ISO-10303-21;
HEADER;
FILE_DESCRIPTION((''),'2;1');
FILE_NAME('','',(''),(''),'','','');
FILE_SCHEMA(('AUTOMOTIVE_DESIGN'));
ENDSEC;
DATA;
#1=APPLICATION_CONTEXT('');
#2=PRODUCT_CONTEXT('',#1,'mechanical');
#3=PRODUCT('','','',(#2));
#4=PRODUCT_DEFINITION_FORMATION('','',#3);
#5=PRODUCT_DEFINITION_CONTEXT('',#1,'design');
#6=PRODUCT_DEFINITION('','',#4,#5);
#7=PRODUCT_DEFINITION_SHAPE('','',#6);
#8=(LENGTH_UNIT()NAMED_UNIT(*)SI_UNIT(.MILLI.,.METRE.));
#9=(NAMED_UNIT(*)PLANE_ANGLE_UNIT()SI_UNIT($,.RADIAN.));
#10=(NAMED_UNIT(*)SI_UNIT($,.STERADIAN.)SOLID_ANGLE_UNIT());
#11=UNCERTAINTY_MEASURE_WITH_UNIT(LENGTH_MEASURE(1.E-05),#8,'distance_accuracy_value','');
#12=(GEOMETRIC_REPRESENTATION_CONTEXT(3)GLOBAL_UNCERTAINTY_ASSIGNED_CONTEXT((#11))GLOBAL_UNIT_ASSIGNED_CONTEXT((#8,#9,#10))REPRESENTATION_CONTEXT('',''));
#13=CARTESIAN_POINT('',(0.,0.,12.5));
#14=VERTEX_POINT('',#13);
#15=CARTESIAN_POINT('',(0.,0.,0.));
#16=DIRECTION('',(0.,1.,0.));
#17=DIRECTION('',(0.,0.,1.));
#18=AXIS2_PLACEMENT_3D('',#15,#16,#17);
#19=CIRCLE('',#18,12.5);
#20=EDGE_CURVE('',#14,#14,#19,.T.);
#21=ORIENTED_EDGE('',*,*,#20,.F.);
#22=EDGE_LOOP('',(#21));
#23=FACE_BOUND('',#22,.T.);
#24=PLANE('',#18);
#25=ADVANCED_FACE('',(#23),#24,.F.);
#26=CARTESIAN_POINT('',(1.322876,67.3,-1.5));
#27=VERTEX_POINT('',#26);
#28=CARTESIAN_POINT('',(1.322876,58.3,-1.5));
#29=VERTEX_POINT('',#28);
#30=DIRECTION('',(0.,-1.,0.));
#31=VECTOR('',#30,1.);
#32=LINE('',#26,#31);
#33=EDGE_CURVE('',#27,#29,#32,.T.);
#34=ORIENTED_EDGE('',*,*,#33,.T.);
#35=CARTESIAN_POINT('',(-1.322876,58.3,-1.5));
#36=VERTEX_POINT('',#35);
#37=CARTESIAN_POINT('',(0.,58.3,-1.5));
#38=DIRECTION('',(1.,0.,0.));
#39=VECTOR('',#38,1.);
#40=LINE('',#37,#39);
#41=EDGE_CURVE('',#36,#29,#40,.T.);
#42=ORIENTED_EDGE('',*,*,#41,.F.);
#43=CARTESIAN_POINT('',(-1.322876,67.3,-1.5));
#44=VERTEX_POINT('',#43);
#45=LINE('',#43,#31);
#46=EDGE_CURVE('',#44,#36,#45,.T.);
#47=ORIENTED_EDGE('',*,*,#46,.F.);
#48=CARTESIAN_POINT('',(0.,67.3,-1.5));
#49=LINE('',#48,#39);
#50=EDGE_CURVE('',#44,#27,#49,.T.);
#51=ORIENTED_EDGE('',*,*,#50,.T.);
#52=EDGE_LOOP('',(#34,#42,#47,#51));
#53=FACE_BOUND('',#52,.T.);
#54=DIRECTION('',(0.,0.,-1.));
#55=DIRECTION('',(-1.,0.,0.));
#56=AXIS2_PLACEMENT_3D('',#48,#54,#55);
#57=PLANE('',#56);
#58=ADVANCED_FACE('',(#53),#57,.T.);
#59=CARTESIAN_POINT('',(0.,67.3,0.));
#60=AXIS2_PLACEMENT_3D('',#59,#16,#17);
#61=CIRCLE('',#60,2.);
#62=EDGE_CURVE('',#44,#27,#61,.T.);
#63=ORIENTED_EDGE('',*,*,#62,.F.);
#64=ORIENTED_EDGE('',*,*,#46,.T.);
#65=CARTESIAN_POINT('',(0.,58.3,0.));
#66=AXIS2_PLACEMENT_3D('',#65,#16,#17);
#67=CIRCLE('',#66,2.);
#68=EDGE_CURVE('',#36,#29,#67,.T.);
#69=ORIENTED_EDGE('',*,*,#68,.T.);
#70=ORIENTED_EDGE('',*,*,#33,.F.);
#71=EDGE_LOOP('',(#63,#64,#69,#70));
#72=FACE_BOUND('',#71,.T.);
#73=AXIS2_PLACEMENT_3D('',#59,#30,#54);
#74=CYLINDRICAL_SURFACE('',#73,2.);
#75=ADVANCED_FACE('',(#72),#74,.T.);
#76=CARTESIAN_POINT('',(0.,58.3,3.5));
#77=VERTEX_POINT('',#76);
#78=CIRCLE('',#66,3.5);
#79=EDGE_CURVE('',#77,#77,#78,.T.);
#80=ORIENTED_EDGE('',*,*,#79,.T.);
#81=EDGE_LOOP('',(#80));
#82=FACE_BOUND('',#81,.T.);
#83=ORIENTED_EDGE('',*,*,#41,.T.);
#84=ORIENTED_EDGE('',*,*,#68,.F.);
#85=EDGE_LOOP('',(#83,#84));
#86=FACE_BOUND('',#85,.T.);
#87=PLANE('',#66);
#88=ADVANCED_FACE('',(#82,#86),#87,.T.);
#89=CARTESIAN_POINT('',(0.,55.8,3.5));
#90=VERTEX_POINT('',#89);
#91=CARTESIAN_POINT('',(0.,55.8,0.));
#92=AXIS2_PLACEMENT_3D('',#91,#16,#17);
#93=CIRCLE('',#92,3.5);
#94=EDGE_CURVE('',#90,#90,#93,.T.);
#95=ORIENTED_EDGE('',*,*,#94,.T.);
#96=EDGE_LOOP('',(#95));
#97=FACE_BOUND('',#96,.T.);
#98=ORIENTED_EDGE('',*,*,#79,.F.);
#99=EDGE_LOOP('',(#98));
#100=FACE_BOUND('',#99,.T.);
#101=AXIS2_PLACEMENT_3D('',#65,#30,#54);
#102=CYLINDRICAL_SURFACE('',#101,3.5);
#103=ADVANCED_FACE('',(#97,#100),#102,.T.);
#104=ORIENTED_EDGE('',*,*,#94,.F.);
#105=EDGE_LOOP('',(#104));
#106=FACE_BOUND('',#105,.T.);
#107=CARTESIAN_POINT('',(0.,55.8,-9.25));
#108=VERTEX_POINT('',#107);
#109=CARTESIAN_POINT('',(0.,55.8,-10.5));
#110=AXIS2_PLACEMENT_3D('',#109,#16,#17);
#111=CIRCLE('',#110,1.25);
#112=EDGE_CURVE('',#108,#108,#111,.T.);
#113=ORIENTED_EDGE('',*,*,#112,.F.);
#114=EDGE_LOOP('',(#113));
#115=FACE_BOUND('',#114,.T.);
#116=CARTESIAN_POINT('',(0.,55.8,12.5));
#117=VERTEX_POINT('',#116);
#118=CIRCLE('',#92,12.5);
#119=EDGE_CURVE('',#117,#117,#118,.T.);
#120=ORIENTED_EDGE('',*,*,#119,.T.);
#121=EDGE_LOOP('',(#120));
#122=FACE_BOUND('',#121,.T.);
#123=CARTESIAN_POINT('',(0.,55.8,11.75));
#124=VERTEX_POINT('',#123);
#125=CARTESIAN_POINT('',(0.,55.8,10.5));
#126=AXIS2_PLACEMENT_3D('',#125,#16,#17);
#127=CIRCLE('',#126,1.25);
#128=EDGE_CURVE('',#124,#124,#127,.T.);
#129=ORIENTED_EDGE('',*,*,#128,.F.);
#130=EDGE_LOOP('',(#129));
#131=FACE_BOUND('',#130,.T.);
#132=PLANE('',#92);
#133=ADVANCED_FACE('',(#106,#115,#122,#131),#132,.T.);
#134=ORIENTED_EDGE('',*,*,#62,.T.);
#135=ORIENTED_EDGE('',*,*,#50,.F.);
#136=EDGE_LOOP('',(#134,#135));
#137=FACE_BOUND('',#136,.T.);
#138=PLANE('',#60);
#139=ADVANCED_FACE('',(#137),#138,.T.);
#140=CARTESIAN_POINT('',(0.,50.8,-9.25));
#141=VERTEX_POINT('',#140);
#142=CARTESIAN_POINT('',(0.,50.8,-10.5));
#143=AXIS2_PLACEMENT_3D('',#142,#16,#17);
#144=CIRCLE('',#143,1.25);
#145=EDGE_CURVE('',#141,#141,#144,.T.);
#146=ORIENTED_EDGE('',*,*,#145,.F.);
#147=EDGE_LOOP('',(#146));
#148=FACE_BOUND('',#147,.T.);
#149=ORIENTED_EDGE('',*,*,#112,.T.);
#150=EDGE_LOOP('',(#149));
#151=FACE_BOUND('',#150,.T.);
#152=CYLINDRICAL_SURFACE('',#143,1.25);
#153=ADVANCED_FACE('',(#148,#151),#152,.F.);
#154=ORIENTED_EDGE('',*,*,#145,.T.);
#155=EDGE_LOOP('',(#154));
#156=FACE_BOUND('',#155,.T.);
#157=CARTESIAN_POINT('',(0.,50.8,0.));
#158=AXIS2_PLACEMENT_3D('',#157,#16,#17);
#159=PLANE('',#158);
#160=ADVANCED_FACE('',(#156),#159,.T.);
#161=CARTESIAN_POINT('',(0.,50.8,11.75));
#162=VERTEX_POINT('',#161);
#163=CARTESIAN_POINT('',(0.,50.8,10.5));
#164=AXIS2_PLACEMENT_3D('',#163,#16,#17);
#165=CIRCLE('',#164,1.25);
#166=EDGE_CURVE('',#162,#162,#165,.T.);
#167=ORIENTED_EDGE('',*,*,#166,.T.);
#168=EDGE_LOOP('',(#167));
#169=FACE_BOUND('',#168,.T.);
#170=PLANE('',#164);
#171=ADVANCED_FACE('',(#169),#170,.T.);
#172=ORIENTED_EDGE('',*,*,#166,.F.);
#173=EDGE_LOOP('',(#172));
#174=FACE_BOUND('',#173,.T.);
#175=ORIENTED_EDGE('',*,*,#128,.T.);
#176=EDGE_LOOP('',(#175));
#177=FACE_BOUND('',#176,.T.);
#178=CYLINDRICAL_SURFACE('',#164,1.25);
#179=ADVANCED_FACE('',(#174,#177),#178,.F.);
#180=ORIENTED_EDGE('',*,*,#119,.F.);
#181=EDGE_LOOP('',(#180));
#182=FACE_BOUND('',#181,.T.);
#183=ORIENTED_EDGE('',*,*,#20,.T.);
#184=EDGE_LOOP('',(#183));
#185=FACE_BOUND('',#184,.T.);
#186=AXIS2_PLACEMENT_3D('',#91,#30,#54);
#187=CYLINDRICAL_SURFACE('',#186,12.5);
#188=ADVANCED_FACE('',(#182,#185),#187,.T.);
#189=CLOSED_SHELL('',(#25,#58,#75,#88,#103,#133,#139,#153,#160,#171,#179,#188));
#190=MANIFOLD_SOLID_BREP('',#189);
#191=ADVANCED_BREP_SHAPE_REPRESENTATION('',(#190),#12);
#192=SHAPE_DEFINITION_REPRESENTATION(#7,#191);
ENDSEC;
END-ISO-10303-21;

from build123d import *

# Parameters (mm, degrees)
SKETCH1_R           = 12.5
BOSS_EXTRUDE1_DEPTH = 55.8
SKETCH2_R           = 1.25
CUT_EXTRUDE1_DEPTH  = 5
SKETCH2_3_R         = 3.5
BOSS_EXTRUDE2_DEPTH = 2.5
BOSS_EXTRUDE3_DEPTH = 9


with BuildPart() as part:
    # Sketch1 → Boss-Extrude1 (new body)
    with BuildSketch(Plane(origin=(0, 0, 0), x_dir=(1, 0, 0), z_dir=(0, 1, 0))):
        Circle(SKETCH1_R)
    extrude(amount=BOSS_EXTRUDE1_DEPTH)

    # Sketch2 → Cut-Extrude1 (cut)
    with BuildSketch(Plane(origin=(0, 55.8, 0), x_dir=(1, 0, 0), z_dir=(0, 1, 0))):
        with Locations((0, 10.5)):
            Circle(SKETCH2_R)
        with Locations((0, -10.5)):
            Circle(SKETCH2_R)
    extrude(amount=-CUT_EXTRUDE1_DEPTH, mode=Mode.SUBTRACT)

    # Sketch2<3> → Boss-Extrude2 (add)
    with BuildSketch(Plane(origin=(0, 55.8, 0), x_dir=(1, 0, 0), z_dir=(0, 1, 0))):
        Circle(SKETCH2_3_R)
    extrude(amount=BOSS_EXTRUDE2_DEPTH)

    # Sketch3 → Boss-Extrude3 (add)
    with BuildSketch(Plane(origin=(0, 58.3, 0), x_dir=(1, 0, 0), z_dir=(0, 1, 0))):
        with BuildLine():
            Line((1.322875656, 1.5), (-1.322875656, 1.5))
            ThreePointArc((-1.322875656, 1.5), (-0.822875656, -1.822875656), (2, 0))
            ThreePointArc((2, 0), (1.822875656, 0.822875656), (1.322875656, 1.5))
        make_face()
    extrude(amount=BOSS_EXTRUDE3_DEPTH)


solid = part.part
